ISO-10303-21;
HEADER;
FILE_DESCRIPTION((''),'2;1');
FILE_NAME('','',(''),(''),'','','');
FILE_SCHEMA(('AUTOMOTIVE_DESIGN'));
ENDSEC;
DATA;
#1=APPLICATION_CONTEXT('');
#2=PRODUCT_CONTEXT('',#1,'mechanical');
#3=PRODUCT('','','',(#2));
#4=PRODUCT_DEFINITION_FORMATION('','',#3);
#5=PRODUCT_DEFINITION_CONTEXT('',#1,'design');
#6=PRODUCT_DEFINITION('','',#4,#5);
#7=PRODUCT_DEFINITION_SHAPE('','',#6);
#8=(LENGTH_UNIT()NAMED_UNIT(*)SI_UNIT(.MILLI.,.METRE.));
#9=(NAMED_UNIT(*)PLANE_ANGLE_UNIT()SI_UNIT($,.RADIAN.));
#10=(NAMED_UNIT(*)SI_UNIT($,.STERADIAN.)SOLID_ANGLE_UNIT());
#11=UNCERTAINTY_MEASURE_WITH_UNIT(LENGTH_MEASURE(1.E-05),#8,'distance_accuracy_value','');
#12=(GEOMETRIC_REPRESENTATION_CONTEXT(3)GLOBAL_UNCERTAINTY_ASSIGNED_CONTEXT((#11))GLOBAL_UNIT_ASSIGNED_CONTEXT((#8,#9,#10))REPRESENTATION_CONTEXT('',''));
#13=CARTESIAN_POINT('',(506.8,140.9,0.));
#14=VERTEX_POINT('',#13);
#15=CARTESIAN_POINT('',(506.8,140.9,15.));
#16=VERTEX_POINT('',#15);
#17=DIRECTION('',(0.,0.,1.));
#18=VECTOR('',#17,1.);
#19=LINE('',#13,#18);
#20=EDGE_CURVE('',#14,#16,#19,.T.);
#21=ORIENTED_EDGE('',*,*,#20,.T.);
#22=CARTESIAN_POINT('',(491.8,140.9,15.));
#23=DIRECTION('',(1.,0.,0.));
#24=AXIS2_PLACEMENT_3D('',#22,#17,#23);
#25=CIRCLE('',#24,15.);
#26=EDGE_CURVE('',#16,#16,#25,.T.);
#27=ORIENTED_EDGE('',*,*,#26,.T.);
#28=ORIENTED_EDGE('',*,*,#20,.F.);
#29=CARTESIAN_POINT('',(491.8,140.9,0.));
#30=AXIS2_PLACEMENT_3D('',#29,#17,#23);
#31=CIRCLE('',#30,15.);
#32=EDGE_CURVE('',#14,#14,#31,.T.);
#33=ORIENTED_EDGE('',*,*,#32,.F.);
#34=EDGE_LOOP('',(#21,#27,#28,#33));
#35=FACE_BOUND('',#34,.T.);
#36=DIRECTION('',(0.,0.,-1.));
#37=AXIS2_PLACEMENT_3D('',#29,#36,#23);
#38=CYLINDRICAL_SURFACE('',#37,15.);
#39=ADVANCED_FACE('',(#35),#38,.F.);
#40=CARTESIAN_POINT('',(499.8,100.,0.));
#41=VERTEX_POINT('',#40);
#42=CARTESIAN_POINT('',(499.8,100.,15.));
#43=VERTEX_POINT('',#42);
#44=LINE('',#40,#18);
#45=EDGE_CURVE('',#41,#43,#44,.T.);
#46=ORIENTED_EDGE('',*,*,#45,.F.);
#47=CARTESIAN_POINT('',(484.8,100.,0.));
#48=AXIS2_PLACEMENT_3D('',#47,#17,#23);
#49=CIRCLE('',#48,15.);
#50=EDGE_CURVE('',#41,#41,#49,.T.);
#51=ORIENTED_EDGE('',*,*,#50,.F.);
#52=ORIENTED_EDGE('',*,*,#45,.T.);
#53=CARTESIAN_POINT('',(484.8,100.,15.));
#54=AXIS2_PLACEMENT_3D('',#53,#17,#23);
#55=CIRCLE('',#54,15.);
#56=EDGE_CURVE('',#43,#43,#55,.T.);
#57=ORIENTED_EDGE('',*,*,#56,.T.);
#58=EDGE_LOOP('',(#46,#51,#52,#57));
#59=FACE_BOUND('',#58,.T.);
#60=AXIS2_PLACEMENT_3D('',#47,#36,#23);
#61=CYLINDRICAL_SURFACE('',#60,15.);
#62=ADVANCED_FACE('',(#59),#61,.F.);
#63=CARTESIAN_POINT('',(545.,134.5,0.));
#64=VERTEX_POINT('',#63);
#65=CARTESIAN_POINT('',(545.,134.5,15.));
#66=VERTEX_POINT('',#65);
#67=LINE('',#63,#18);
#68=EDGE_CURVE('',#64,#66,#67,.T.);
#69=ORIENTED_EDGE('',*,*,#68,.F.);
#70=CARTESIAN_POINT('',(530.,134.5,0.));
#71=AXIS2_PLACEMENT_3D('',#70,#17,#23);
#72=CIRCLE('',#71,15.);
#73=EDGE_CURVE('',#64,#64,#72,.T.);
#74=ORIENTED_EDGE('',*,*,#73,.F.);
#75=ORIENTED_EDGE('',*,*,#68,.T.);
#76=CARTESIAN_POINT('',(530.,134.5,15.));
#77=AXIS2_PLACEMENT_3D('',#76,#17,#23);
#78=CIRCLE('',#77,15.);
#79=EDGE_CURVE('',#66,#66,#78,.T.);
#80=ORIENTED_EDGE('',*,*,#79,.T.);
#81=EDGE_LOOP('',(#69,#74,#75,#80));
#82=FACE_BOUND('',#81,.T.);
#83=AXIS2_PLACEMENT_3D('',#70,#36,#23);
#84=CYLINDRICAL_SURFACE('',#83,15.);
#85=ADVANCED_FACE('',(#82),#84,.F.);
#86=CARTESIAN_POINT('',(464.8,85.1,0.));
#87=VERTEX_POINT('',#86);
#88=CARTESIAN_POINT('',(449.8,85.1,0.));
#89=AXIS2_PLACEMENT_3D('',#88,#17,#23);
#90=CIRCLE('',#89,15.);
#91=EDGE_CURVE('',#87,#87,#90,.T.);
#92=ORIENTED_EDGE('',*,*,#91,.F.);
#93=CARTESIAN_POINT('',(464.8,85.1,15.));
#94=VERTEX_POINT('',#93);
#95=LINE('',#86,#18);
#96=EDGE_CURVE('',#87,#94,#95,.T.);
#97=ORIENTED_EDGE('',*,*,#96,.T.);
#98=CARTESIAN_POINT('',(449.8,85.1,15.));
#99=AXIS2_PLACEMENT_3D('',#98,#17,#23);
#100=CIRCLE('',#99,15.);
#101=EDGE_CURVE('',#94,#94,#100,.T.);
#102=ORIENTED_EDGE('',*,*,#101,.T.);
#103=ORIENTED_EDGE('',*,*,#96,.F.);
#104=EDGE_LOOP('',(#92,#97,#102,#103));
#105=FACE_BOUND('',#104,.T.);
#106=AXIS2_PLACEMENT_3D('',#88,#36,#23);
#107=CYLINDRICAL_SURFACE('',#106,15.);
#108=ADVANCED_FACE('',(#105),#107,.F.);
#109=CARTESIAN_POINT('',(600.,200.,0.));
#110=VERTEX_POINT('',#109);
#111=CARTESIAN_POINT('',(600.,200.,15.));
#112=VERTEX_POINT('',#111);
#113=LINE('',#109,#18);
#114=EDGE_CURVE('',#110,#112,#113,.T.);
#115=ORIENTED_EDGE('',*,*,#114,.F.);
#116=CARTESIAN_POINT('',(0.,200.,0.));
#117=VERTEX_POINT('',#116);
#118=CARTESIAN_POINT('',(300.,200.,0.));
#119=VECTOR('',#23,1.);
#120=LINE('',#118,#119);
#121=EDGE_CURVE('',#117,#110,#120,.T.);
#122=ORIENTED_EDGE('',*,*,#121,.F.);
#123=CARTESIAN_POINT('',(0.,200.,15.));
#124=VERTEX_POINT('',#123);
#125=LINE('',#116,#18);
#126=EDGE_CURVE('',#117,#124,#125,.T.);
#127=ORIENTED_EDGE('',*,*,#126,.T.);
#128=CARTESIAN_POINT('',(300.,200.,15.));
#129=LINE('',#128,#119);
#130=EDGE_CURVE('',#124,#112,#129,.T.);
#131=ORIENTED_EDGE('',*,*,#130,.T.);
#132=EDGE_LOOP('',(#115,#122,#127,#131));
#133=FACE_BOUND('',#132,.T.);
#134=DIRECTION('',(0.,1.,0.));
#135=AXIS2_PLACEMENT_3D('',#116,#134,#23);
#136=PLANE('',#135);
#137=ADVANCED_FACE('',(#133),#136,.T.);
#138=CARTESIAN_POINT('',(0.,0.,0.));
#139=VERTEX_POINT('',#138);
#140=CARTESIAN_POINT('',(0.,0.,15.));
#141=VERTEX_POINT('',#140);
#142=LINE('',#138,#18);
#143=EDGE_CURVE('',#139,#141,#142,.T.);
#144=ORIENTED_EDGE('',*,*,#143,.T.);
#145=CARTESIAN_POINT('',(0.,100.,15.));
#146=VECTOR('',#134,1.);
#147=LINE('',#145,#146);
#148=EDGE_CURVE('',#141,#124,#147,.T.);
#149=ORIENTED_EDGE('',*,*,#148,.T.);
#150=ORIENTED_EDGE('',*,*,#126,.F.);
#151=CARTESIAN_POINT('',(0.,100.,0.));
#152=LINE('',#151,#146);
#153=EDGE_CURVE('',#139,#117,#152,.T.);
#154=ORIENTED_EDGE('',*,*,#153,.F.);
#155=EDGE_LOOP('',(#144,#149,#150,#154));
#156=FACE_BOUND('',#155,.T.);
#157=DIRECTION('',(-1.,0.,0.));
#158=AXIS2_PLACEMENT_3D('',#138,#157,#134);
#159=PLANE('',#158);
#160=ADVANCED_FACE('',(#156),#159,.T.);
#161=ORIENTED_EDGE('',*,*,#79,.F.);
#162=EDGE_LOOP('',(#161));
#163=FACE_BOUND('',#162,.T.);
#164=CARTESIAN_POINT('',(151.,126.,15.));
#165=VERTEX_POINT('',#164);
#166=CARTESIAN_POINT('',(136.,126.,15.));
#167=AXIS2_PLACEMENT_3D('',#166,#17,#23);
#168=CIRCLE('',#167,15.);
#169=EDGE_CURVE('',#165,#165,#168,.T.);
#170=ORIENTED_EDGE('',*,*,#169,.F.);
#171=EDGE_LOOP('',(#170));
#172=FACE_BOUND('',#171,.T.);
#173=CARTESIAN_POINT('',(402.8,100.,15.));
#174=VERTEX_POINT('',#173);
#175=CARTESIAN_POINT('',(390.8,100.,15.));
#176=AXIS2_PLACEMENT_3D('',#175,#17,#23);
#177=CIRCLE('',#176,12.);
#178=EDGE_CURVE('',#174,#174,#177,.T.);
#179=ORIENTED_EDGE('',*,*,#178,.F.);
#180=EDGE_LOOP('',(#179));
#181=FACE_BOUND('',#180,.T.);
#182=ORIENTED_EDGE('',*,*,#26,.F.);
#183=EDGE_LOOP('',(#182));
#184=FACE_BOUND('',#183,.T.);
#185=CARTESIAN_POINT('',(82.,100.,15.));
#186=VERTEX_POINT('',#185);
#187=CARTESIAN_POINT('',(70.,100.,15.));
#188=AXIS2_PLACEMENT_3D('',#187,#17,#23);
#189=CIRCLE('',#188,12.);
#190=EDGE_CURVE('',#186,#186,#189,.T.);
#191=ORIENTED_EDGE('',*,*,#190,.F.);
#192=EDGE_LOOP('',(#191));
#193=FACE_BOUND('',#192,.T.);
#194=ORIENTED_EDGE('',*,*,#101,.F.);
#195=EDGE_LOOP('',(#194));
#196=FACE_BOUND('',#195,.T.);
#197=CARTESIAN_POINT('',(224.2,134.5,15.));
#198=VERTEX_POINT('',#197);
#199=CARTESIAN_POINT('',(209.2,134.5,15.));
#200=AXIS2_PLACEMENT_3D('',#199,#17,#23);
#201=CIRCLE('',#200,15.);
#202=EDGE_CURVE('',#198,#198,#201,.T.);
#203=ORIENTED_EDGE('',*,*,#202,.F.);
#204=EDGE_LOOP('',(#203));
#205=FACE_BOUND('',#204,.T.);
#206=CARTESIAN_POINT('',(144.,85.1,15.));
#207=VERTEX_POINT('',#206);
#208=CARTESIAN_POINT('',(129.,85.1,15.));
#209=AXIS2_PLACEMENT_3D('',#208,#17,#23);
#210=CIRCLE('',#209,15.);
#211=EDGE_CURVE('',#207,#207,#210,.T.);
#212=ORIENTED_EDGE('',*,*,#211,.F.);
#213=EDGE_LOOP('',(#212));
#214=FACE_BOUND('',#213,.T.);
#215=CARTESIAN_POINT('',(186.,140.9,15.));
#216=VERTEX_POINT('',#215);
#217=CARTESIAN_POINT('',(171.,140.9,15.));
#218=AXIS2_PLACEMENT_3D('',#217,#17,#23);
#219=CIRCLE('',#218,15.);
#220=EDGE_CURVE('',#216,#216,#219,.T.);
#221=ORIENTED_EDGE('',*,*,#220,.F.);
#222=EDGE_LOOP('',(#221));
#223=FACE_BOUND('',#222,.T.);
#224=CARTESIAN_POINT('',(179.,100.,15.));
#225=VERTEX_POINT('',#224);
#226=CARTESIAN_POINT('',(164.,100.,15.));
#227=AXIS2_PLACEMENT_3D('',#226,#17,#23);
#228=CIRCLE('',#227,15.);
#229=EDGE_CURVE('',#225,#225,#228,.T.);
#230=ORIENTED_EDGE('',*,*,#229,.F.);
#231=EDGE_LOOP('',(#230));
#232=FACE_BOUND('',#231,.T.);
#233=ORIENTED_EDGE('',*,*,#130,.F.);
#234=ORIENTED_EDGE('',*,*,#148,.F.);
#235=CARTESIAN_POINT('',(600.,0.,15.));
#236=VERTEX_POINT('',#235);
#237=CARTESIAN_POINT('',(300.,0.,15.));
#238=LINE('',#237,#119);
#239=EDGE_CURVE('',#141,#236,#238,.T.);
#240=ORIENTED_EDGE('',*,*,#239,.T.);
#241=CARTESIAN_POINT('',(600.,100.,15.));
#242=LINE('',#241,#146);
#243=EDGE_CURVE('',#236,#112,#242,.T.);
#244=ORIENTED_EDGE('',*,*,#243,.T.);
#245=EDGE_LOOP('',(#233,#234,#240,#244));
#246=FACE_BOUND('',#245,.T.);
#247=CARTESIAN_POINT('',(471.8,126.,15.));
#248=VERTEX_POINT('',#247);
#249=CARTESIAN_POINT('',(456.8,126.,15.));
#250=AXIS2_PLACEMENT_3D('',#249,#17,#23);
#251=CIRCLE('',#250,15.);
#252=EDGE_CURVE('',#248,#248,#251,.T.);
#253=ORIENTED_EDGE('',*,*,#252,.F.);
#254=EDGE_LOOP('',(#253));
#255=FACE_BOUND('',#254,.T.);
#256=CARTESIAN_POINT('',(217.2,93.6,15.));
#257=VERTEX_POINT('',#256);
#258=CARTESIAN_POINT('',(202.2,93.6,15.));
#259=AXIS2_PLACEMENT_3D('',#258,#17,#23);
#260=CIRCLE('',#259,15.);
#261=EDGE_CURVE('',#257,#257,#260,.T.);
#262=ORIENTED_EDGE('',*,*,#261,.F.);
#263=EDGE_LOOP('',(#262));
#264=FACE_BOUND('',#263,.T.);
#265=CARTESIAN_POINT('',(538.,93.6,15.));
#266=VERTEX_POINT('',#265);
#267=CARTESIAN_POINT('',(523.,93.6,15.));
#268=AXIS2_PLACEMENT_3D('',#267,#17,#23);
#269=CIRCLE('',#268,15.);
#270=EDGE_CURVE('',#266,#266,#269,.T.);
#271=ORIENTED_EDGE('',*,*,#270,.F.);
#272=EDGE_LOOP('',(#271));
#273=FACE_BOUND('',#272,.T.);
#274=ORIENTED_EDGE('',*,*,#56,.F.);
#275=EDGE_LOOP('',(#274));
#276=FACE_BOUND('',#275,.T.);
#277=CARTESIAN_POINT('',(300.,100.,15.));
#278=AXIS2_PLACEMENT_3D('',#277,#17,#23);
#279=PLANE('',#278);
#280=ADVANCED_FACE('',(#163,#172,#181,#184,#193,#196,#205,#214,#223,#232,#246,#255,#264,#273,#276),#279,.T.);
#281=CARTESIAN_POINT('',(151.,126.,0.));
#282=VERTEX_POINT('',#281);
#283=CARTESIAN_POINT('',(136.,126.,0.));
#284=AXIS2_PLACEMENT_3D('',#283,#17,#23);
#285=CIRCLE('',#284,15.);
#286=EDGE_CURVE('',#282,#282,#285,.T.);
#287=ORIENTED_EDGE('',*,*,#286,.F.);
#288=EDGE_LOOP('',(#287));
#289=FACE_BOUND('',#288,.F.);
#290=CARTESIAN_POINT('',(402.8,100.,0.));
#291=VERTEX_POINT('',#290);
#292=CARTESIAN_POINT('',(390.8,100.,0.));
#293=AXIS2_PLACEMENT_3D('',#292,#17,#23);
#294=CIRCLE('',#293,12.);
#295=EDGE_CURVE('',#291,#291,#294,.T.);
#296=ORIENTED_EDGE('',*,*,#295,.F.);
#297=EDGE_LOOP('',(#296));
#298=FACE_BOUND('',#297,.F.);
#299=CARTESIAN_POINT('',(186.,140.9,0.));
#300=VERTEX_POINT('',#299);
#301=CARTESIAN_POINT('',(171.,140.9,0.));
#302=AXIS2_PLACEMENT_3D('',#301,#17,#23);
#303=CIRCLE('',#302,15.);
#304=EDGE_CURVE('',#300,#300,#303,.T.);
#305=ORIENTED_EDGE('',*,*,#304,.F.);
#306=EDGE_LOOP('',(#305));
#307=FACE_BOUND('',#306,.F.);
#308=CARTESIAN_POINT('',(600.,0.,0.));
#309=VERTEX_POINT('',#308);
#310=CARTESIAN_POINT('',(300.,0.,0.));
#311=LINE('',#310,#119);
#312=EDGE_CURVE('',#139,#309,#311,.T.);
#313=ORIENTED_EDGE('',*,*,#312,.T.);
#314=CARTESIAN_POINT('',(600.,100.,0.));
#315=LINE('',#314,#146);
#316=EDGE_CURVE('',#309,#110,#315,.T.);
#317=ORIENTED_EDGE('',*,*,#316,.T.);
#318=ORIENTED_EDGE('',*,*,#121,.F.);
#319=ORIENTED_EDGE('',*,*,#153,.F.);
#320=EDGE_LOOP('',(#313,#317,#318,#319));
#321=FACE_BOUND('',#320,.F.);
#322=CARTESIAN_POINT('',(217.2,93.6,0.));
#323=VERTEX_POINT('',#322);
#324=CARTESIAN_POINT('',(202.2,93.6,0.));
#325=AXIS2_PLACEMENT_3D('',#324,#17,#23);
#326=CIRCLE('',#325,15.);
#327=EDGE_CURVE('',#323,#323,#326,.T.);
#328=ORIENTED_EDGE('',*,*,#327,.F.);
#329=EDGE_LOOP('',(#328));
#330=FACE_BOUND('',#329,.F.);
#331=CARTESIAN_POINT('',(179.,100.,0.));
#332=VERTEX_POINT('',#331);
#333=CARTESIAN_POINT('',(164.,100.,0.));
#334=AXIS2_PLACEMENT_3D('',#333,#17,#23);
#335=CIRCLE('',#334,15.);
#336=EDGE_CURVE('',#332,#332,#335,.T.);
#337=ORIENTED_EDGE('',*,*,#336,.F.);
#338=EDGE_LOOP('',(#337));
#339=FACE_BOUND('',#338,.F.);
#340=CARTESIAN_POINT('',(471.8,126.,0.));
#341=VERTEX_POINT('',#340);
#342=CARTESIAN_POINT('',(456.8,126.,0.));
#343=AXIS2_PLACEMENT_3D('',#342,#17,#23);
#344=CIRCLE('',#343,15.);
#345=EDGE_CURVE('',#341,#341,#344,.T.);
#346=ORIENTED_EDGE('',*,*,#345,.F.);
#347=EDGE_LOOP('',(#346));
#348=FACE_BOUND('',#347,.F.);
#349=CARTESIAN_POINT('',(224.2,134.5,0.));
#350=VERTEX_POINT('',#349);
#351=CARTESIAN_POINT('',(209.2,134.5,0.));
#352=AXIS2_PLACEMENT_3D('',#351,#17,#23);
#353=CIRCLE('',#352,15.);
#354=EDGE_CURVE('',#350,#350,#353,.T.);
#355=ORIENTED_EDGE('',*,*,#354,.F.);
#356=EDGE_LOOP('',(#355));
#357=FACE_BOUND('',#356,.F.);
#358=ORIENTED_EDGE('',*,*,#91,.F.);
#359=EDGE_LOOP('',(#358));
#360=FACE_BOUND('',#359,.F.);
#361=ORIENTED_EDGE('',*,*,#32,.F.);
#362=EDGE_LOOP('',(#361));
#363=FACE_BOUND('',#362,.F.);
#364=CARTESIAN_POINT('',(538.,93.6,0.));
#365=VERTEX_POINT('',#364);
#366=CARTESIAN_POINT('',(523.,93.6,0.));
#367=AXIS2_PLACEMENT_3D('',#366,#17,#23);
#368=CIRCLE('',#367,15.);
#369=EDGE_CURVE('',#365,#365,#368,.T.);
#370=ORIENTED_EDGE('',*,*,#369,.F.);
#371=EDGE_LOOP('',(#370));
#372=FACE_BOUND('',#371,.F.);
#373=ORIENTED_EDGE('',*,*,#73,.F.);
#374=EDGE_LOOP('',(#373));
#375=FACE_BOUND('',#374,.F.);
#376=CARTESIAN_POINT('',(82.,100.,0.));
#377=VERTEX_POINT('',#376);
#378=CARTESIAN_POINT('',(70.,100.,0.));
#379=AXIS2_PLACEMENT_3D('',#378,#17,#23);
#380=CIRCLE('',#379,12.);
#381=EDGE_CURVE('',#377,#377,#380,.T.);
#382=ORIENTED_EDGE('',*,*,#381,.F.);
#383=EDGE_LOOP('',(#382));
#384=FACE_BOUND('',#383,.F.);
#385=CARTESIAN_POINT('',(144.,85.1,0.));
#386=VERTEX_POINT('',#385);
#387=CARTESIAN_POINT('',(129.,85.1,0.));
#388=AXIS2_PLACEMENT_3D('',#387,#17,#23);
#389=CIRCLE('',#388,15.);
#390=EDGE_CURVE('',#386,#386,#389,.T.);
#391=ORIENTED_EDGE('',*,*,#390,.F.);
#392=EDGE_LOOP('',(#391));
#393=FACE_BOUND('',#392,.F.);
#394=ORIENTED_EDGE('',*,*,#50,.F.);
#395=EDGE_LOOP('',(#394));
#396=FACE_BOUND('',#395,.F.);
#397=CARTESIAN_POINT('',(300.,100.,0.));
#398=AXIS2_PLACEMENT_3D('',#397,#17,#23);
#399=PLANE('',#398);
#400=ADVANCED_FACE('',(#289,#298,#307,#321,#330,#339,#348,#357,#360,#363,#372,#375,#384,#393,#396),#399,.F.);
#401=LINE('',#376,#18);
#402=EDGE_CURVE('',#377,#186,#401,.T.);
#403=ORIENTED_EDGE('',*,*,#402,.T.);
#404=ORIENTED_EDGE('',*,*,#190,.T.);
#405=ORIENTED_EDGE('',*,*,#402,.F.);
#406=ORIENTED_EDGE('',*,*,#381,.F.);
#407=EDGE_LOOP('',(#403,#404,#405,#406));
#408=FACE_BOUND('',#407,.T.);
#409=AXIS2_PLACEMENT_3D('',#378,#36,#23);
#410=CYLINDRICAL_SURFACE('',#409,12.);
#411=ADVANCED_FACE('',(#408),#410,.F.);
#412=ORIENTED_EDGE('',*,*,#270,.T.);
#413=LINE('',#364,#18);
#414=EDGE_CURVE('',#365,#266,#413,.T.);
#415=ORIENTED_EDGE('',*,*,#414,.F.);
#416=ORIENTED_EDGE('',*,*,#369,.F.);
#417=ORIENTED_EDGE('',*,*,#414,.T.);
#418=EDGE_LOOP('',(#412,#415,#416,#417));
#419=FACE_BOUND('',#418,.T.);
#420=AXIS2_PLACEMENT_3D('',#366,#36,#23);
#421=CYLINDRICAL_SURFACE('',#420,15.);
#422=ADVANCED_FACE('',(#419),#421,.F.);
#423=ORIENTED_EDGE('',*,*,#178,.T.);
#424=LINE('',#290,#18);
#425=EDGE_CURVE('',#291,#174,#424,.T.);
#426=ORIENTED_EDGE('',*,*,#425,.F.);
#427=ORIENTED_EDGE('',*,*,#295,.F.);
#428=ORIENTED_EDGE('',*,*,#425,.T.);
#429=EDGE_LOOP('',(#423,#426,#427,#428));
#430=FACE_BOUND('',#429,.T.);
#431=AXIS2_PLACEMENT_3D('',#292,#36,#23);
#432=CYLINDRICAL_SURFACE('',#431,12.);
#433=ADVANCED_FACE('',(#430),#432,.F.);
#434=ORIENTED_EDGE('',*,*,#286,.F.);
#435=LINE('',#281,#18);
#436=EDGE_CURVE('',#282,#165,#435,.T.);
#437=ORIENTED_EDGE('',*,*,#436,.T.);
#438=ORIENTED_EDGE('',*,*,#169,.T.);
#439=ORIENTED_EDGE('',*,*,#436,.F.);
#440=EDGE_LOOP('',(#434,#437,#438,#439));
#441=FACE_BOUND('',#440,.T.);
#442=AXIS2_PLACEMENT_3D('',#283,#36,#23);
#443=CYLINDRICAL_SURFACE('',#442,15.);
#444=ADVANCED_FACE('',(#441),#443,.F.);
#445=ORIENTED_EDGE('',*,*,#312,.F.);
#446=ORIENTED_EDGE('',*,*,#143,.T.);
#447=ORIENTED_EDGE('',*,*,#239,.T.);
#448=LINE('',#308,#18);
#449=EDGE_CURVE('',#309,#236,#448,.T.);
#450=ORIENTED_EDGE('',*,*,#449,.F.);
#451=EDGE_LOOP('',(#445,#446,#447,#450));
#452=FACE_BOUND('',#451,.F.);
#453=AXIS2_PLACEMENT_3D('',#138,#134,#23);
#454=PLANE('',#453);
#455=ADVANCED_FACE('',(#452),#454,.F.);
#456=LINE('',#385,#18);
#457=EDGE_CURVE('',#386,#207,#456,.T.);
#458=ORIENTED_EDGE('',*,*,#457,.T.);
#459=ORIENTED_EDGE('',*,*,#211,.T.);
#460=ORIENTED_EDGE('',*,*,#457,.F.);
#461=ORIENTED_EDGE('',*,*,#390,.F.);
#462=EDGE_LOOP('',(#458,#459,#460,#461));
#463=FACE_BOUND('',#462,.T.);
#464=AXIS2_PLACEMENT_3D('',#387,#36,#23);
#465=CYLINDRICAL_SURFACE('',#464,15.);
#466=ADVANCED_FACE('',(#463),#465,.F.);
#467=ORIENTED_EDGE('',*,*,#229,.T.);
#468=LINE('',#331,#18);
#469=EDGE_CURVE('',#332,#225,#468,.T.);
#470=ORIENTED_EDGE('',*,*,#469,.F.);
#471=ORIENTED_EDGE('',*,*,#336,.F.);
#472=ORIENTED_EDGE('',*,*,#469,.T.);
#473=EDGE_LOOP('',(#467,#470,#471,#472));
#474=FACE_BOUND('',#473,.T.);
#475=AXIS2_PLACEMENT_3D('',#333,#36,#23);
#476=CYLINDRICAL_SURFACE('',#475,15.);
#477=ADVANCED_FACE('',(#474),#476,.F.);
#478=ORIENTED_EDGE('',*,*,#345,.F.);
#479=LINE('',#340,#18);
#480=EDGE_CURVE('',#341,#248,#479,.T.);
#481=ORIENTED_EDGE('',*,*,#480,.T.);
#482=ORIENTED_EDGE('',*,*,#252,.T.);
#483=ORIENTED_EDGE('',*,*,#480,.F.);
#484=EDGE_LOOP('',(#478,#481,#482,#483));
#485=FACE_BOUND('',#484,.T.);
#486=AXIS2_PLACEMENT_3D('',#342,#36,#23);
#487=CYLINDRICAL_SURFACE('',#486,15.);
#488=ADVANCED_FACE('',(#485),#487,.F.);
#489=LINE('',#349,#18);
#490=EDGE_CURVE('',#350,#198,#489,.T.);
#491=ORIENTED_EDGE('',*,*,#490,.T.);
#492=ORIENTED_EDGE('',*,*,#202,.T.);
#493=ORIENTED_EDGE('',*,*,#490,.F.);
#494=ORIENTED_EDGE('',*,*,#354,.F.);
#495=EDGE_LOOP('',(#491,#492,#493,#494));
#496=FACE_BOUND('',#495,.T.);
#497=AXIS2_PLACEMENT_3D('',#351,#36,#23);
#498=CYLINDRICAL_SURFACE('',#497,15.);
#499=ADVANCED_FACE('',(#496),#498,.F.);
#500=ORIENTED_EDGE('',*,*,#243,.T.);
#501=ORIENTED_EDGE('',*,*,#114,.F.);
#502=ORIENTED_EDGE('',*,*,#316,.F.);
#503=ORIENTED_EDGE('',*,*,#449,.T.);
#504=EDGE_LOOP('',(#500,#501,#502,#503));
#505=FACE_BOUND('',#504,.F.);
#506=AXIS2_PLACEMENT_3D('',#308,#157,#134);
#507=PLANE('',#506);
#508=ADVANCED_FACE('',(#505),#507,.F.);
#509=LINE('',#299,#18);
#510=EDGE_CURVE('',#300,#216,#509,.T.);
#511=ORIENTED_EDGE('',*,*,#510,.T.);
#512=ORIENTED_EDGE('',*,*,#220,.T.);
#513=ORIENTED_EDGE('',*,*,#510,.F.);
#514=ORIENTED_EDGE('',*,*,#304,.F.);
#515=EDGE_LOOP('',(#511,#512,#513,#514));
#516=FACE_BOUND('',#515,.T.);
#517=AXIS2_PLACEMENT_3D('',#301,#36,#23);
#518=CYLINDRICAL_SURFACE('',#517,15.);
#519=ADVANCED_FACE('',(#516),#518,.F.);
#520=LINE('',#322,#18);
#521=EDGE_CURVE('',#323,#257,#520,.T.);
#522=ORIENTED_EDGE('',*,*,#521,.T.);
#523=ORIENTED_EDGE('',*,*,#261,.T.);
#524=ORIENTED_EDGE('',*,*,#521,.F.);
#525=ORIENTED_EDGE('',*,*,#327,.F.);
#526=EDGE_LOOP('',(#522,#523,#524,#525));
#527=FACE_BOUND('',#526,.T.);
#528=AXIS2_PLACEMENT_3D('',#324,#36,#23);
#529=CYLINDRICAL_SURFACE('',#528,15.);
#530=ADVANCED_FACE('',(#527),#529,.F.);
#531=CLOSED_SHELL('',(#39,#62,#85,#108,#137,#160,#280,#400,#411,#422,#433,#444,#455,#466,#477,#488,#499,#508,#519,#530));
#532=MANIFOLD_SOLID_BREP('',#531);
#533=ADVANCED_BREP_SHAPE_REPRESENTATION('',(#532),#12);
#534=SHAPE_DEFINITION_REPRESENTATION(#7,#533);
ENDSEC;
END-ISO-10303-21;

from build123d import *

# Parameters (mm, degrees)
SKETCH_W   = 600
SKETCH_H   = 200
SKETCH_R   = 12
SKETCH_R_2 = 15
PAD_DEPTH  = 15


with BuildPart() as part:
    # Sketch → Pad (new body)
    with BuildSketch(Plane.XY):
        with Locations((300, 100)):
            Rectangle(SKETCH_W, SKETCH_H)
        with Locations((70, 100)):
            Circle(SKETCH_R, mode=Mode.SUBTRACT)
        with Locations((129, 85.1)):
            Circle(SKETCH_R_2, mode=Mode.SUBTRACT)
        with Locations((164, 100)):
            Circle(SKETCH_R_2, mode=Mode.SUBTRACT)
        with Locations((202.2, 93.6)):
            Circle(SKETCH_R_2, mode=Mode.SUBTRACT)
        with Locations((171, 140.9)):
            Circle(SKETCH_R_2, mode=Mode.SUBTRACT)
        with Locations((209.2, 134.5)):
            Circle(SKETCH_R_2, mode=Mode.SUBTRACT)
        with Locations((136, 126)):
            Circle(SKETCH_R_2, mode=Mode.SUBTRACT)
        with Locations((390.8, 100)):
            Circle(SKETCH_R, mode=Mode.SUBTRACT)
        with Locations((449.8, 85.1)):
            Circle(SKETCH_R_2, mode=Mode.SUBTRACT)
        with Locations((484.8, 100)):
            Circle(SKETCH_R_2, mode=Mode.SUBTRACT)
        with Locations((523, 93.6)):
            Circle(SKETCH_R_2, mode=Mode.SUBTRACT)
        with Locations((491.8, 140.9)):
            Circle(SKETCH_R_2, mode=Mode.SUBTRACT)
        with Locations((530, 134.5)):
            Circle(SKETCH_R_2, mode=Mode.SUBTRACT)
        with Locations((456.8, 126)):
            Circle(SKETCH_R_2, mode=Mode.SUBTRACT)
    extrude(amount=PAD_DEPTH)


solid = part.part
